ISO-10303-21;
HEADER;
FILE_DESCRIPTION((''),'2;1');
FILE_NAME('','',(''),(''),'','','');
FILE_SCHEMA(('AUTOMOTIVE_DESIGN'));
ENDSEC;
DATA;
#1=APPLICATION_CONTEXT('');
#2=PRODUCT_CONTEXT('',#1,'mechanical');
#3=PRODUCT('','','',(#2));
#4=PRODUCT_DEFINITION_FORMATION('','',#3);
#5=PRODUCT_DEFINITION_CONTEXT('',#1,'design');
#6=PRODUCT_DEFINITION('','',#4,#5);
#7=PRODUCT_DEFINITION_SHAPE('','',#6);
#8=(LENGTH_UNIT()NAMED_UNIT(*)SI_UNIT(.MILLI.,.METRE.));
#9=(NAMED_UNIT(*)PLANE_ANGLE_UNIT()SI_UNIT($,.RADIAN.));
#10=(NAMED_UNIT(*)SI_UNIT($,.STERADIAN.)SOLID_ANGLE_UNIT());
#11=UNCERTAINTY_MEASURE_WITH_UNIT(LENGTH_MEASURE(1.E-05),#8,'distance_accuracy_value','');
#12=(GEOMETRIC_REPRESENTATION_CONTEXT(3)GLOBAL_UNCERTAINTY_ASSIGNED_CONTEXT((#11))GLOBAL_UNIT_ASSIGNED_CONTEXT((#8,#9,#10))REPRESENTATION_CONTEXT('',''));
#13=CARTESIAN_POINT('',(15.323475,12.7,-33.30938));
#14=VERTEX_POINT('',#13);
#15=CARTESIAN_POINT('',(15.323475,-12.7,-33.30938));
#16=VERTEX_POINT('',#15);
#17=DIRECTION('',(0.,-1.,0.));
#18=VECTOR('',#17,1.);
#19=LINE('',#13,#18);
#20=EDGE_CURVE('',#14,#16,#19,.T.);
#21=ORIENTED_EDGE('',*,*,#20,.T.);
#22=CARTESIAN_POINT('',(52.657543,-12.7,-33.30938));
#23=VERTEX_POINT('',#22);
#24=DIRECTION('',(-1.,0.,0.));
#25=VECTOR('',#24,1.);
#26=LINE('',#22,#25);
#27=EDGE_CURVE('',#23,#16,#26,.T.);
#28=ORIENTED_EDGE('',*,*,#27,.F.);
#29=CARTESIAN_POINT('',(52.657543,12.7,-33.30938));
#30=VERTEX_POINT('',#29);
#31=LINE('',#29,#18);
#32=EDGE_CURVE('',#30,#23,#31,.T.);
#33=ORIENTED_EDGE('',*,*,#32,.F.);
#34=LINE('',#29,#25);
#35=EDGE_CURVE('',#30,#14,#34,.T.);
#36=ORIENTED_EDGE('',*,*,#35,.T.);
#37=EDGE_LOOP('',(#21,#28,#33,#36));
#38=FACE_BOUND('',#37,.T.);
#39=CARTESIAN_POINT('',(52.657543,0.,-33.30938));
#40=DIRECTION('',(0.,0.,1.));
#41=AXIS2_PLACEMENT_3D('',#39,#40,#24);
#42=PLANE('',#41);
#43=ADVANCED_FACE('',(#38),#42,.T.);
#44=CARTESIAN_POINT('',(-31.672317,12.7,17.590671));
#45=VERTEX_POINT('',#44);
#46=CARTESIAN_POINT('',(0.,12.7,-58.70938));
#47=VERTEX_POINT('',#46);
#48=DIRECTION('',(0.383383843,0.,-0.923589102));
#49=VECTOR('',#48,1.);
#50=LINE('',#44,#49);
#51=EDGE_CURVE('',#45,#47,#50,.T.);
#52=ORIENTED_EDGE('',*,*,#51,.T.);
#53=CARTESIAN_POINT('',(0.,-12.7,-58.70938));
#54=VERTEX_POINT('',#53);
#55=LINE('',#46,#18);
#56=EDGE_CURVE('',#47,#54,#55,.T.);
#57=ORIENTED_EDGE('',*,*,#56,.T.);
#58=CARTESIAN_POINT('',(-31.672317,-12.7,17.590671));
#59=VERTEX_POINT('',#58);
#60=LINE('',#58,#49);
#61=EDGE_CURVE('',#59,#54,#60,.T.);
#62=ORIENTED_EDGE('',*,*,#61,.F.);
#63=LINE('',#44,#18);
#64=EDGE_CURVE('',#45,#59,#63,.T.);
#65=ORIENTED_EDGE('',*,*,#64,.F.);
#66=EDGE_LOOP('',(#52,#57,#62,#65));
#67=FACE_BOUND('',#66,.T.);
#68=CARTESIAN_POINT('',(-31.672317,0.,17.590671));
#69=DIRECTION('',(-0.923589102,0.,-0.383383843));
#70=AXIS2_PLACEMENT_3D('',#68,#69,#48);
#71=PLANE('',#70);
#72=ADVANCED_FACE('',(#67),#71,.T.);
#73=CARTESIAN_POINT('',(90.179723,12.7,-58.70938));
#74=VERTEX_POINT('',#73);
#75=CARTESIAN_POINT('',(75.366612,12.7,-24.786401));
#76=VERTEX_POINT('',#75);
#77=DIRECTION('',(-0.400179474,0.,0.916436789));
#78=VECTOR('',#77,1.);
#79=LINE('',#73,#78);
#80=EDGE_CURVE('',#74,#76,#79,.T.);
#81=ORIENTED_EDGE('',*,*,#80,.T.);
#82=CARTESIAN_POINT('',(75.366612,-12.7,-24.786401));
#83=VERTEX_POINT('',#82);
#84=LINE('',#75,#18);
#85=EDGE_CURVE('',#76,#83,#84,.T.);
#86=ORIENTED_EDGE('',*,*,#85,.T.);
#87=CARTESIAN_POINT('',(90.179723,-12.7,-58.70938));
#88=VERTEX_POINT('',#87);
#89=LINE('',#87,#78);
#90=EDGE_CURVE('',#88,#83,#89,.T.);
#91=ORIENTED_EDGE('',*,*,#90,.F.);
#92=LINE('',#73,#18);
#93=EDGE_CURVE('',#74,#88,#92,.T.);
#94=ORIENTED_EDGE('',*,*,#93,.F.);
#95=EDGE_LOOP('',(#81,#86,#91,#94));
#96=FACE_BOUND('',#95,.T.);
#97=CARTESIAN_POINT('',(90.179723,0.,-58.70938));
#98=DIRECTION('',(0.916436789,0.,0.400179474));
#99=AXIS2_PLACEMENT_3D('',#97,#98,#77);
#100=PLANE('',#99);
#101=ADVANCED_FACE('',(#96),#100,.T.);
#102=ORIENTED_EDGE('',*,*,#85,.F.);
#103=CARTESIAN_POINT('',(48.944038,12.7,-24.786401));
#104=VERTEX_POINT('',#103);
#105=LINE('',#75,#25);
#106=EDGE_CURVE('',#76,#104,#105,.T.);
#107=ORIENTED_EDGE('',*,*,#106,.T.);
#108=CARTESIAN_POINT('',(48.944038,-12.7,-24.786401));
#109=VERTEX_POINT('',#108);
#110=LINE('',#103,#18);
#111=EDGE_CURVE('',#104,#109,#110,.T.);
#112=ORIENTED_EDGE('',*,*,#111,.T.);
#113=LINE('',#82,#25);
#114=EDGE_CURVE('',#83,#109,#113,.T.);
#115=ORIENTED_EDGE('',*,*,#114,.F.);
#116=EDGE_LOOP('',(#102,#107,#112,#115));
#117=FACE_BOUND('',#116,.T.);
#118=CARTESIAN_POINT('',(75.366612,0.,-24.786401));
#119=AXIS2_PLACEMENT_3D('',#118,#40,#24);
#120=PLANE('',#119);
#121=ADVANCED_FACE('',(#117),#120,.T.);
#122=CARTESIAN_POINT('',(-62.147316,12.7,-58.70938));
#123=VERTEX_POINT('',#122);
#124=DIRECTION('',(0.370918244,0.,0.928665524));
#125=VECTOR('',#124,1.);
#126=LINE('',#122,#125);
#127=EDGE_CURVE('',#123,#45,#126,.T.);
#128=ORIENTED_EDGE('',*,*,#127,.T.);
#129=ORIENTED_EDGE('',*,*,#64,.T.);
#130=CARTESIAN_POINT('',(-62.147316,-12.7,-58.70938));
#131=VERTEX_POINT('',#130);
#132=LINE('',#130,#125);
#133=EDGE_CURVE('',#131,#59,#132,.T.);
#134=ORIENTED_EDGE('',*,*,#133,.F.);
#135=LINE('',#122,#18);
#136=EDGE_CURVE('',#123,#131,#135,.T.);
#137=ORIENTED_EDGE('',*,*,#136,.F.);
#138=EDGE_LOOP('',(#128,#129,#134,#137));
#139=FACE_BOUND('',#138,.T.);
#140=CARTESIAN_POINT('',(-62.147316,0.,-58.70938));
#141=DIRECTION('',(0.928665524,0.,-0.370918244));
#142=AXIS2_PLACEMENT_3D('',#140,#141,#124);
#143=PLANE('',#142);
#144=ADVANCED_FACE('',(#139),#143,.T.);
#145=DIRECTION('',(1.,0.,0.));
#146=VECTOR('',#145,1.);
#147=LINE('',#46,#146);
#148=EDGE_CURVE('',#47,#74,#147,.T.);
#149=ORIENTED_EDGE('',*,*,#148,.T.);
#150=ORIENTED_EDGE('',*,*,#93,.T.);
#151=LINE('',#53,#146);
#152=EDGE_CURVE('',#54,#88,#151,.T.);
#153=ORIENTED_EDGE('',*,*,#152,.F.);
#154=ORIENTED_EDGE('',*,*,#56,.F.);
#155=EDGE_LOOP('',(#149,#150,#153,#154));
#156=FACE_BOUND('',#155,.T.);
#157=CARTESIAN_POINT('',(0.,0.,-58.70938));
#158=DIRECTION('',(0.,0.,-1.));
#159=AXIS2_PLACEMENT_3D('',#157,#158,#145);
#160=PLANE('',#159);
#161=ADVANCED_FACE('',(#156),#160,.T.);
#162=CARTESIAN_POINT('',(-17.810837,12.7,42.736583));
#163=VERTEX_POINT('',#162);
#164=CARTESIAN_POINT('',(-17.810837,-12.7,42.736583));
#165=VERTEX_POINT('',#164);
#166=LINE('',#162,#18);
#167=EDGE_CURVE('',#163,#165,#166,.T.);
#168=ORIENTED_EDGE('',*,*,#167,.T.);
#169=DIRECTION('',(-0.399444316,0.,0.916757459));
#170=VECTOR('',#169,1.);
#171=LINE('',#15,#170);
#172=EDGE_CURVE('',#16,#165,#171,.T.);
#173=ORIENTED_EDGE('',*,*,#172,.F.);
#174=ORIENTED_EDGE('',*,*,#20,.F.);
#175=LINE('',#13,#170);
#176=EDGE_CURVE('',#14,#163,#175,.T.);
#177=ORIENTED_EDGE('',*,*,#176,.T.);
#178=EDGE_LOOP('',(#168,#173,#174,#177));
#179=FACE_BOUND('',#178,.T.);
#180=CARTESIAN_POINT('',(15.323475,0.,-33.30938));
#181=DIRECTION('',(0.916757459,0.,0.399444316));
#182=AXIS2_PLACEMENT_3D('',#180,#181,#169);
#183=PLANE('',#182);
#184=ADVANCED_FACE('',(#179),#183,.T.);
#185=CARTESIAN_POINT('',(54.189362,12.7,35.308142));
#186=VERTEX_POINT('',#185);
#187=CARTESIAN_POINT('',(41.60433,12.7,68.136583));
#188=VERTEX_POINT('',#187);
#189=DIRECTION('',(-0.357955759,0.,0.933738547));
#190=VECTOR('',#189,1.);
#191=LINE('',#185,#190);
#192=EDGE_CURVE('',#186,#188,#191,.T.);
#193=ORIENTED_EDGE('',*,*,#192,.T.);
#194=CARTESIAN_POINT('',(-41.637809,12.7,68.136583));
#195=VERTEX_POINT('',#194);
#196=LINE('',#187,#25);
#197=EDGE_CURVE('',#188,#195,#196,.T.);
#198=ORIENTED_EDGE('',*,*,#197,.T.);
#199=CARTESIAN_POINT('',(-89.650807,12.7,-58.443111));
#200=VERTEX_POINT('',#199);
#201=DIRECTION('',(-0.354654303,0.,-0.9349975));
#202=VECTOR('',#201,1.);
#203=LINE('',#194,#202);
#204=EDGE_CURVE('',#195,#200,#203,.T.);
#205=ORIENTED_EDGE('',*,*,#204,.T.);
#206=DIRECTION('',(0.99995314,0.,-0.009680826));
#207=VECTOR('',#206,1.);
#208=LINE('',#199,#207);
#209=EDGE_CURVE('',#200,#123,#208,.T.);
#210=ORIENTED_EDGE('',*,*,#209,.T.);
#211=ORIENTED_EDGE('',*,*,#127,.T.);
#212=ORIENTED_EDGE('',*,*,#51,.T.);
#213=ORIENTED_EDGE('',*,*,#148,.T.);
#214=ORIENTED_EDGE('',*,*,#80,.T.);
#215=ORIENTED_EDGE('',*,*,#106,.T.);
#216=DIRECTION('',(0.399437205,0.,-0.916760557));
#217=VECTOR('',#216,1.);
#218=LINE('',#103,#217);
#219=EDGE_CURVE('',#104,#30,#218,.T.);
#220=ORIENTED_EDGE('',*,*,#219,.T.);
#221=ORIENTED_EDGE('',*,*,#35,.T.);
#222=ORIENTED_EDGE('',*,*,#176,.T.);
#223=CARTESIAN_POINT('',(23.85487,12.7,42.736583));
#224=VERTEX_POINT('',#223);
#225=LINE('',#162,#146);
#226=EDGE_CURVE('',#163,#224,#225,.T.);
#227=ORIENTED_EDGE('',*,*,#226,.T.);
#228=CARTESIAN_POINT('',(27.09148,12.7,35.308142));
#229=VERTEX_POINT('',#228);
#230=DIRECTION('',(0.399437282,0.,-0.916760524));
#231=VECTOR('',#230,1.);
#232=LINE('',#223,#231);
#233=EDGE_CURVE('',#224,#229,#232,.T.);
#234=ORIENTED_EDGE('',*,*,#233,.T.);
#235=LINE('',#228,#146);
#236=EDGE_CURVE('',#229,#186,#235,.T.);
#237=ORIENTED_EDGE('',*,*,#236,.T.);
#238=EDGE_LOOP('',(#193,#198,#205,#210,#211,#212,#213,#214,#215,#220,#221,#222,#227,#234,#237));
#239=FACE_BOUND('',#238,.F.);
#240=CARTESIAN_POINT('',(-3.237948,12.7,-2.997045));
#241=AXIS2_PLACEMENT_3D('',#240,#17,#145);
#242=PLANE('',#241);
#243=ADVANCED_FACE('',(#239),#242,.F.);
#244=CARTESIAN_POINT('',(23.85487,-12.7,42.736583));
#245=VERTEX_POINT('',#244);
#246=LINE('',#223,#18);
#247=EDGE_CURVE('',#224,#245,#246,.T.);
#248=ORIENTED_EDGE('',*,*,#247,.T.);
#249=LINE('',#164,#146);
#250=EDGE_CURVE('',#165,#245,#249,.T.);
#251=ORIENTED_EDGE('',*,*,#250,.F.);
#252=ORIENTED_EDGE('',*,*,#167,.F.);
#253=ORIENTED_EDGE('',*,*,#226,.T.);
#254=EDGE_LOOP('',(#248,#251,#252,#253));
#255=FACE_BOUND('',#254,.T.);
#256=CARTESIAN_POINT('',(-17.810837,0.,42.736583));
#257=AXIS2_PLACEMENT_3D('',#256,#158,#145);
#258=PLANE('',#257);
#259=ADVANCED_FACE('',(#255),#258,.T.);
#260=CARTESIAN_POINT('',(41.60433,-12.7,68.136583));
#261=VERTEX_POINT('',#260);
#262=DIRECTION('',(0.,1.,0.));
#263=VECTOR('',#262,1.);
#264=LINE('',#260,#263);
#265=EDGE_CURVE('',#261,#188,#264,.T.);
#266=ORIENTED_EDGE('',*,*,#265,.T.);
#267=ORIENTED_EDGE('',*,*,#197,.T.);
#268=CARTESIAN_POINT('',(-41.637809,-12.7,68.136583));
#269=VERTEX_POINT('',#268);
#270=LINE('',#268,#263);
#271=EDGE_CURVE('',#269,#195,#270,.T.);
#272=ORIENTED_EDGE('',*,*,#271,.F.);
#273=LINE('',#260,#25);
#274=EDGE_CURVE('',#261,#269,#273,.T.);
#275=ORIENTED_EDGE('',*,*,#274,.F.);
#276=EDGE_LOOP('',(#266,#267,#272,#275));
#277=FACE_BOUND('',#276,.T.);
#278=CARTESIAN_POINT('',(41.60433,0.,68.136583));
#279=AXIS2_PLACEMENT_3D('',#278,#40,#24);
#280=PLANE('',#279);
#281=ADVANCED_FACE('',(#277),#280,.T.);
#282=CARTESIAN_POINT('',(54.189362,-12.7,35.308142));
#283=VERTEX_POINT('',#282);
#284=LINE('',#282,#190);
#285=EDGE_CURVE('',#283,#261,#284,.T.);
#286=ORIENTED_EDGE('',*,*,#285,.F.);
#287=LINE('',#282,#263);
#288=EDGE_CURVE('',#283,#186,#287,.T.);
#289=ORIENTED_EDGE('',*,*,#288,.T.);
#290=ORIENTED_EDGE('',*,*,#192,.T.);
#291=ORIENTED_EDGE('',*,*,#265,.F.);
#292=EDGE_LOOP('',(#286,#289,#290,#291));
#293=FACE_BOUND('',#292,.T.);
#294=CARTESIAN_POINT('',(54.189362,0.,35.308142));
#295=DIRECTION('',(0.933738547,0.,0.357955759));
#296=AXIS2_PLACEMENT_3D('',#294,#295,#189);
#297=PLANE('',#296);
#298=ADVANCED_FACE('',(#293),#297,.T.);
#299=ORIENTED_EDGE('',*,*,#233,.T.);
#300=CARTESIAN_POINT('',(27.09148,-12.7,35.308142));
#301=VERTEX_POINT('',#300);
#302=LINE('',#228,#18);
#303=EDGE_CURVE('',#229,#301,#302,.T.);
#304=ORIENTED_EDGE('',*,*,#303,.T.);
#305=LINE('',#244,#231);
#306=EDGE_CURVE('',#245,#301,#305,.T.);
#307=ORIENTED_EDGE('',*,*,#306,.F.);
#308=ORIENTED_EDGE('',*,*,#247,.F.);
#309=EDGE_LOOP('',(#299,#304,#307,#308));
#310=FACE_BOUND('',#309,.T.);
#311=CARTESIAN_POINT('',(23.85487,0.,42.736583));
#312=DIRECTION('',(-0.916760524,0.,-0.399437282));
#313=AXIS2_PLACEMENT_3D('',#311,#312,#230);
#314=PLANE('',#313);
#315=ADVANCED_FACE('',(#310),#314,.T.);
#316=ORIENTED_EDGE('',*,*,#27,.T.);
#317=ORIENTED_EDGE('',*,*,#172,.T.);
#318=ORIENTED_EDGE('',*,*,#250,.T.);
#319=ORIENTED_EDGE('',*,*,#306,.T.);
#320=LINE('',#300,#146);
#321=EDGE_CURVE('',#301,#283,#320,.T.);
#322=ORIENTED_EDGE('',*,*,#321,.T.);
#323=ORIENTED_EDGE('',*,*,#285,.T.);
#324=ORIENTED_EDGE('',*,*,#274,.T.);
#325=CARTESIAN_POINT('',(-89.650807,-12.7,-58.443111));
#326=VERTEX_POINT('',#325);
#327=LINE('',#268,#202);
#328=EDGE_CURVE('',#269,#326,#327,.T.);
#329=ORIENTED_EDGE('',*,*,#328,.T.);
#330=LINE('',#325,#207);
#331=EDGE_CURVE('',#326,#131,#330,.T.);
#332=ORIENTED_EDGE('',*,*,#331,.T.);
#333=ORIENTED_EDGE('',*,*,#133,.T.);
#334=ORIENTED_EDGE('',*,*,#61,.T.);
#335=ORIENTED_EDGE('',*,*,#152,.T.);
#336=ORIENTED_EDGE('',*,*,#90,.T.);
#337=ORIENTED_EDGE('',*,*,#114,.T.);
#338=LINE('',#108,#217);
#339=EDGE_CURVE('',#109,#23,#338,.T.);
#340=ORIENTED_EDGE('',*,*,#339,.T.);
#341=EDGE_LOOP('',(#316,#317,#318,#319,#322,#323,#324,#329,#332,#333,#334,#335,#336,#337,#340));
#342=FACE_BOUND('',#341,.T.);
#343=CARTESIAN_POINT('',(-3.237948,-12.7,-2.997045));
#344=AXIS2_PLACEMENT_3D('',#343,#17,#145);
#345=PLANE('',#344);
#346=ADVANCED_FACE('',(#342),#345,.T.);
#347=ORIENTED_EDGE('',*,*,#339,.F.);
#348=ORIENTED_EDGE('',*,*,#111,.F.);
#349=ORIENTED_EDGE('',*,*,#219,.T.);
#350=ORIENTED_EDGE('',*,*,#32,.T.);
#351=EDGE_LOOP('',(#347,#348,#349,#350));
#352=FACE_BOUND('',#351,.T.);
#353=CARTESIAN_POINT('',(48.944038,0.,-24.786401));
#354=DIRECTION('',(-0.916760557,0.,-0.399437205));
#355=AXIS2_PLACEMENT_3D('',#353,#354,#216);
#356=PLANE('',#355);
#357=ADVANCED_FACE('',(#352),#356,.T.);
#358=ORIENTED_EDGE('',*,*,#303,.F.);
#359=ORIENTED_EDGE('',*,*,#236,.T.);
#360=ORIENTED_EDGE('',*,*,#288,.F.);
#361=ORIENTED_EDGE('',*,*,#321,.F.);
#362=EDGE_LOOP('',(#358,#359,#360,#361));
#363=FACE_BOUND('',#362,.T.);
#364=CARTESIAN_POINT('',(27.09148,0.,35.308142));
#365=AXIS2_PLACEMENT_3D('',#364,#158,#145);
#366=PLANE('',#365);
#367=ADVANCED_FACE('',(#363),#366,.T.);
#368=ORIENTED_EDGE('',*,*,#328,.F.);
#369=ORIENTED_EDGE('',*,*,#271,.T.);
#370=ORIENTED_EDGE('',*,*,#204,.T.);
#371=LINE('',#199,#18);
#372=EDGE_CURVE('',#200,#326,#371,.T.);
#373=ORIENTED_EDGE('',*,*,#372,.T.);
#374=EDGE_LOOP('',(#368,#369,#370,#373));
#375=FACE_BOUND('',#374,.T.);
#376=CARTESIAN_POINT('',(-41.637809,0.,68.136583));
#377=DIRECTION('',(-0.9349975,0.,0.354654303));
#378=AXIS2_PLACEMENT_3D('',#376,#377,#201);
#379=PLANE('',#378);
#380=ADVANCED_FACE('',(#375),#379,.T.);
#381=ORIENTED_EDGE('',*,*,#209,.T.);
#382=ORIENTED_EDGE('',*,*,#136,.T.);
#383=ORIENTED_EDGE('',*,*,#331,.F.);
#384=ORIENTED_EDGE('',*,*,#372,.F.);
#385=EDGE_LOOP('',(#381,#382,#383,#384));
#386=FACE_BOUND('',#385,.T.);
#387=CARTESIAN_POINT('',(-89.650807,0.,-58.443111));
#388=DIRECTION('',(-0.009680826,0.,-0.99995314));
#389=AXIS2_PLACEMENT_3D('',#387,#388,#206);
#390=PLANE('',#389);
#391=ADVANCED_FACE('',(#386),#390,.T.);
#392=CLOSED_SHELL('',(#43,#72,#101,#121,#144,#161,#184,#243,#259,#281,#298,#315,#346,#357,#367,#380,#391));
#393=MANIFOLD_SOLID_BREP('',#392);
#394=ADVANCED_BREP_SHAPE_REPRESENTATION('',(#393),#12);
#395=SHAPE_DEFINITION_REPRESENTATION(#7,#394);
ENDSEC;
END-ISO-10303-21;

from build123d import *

# Parameters (mm, degrees)
F1_DEPTH = 12.7


with BuildPart() as f1:
    # F0 (on Front) → F1 (new body, symmetric)
    with BuildSketch(Plane.XZ):
        Polygon((-41.637809, 68.136583), (-89.650807, -58.443111), (-62.147316, -58.70938), (-31.672317, 17.590671), (0, -58.70938), (90.179723, -58.70938), (75.366612, -24.786401), (48.944038, -24.786401), (52.657543, -33.30938), (15.323475, -33.30938), (-17.810837, 42.736583), (23.85487, 42.736583), (27.09148, 35.308142), (54.189362, 35.308142), (41.60433, 68.136583), align=None)
    extrude(amount=F1_DEPTH, both=True)


solid = f1.part
